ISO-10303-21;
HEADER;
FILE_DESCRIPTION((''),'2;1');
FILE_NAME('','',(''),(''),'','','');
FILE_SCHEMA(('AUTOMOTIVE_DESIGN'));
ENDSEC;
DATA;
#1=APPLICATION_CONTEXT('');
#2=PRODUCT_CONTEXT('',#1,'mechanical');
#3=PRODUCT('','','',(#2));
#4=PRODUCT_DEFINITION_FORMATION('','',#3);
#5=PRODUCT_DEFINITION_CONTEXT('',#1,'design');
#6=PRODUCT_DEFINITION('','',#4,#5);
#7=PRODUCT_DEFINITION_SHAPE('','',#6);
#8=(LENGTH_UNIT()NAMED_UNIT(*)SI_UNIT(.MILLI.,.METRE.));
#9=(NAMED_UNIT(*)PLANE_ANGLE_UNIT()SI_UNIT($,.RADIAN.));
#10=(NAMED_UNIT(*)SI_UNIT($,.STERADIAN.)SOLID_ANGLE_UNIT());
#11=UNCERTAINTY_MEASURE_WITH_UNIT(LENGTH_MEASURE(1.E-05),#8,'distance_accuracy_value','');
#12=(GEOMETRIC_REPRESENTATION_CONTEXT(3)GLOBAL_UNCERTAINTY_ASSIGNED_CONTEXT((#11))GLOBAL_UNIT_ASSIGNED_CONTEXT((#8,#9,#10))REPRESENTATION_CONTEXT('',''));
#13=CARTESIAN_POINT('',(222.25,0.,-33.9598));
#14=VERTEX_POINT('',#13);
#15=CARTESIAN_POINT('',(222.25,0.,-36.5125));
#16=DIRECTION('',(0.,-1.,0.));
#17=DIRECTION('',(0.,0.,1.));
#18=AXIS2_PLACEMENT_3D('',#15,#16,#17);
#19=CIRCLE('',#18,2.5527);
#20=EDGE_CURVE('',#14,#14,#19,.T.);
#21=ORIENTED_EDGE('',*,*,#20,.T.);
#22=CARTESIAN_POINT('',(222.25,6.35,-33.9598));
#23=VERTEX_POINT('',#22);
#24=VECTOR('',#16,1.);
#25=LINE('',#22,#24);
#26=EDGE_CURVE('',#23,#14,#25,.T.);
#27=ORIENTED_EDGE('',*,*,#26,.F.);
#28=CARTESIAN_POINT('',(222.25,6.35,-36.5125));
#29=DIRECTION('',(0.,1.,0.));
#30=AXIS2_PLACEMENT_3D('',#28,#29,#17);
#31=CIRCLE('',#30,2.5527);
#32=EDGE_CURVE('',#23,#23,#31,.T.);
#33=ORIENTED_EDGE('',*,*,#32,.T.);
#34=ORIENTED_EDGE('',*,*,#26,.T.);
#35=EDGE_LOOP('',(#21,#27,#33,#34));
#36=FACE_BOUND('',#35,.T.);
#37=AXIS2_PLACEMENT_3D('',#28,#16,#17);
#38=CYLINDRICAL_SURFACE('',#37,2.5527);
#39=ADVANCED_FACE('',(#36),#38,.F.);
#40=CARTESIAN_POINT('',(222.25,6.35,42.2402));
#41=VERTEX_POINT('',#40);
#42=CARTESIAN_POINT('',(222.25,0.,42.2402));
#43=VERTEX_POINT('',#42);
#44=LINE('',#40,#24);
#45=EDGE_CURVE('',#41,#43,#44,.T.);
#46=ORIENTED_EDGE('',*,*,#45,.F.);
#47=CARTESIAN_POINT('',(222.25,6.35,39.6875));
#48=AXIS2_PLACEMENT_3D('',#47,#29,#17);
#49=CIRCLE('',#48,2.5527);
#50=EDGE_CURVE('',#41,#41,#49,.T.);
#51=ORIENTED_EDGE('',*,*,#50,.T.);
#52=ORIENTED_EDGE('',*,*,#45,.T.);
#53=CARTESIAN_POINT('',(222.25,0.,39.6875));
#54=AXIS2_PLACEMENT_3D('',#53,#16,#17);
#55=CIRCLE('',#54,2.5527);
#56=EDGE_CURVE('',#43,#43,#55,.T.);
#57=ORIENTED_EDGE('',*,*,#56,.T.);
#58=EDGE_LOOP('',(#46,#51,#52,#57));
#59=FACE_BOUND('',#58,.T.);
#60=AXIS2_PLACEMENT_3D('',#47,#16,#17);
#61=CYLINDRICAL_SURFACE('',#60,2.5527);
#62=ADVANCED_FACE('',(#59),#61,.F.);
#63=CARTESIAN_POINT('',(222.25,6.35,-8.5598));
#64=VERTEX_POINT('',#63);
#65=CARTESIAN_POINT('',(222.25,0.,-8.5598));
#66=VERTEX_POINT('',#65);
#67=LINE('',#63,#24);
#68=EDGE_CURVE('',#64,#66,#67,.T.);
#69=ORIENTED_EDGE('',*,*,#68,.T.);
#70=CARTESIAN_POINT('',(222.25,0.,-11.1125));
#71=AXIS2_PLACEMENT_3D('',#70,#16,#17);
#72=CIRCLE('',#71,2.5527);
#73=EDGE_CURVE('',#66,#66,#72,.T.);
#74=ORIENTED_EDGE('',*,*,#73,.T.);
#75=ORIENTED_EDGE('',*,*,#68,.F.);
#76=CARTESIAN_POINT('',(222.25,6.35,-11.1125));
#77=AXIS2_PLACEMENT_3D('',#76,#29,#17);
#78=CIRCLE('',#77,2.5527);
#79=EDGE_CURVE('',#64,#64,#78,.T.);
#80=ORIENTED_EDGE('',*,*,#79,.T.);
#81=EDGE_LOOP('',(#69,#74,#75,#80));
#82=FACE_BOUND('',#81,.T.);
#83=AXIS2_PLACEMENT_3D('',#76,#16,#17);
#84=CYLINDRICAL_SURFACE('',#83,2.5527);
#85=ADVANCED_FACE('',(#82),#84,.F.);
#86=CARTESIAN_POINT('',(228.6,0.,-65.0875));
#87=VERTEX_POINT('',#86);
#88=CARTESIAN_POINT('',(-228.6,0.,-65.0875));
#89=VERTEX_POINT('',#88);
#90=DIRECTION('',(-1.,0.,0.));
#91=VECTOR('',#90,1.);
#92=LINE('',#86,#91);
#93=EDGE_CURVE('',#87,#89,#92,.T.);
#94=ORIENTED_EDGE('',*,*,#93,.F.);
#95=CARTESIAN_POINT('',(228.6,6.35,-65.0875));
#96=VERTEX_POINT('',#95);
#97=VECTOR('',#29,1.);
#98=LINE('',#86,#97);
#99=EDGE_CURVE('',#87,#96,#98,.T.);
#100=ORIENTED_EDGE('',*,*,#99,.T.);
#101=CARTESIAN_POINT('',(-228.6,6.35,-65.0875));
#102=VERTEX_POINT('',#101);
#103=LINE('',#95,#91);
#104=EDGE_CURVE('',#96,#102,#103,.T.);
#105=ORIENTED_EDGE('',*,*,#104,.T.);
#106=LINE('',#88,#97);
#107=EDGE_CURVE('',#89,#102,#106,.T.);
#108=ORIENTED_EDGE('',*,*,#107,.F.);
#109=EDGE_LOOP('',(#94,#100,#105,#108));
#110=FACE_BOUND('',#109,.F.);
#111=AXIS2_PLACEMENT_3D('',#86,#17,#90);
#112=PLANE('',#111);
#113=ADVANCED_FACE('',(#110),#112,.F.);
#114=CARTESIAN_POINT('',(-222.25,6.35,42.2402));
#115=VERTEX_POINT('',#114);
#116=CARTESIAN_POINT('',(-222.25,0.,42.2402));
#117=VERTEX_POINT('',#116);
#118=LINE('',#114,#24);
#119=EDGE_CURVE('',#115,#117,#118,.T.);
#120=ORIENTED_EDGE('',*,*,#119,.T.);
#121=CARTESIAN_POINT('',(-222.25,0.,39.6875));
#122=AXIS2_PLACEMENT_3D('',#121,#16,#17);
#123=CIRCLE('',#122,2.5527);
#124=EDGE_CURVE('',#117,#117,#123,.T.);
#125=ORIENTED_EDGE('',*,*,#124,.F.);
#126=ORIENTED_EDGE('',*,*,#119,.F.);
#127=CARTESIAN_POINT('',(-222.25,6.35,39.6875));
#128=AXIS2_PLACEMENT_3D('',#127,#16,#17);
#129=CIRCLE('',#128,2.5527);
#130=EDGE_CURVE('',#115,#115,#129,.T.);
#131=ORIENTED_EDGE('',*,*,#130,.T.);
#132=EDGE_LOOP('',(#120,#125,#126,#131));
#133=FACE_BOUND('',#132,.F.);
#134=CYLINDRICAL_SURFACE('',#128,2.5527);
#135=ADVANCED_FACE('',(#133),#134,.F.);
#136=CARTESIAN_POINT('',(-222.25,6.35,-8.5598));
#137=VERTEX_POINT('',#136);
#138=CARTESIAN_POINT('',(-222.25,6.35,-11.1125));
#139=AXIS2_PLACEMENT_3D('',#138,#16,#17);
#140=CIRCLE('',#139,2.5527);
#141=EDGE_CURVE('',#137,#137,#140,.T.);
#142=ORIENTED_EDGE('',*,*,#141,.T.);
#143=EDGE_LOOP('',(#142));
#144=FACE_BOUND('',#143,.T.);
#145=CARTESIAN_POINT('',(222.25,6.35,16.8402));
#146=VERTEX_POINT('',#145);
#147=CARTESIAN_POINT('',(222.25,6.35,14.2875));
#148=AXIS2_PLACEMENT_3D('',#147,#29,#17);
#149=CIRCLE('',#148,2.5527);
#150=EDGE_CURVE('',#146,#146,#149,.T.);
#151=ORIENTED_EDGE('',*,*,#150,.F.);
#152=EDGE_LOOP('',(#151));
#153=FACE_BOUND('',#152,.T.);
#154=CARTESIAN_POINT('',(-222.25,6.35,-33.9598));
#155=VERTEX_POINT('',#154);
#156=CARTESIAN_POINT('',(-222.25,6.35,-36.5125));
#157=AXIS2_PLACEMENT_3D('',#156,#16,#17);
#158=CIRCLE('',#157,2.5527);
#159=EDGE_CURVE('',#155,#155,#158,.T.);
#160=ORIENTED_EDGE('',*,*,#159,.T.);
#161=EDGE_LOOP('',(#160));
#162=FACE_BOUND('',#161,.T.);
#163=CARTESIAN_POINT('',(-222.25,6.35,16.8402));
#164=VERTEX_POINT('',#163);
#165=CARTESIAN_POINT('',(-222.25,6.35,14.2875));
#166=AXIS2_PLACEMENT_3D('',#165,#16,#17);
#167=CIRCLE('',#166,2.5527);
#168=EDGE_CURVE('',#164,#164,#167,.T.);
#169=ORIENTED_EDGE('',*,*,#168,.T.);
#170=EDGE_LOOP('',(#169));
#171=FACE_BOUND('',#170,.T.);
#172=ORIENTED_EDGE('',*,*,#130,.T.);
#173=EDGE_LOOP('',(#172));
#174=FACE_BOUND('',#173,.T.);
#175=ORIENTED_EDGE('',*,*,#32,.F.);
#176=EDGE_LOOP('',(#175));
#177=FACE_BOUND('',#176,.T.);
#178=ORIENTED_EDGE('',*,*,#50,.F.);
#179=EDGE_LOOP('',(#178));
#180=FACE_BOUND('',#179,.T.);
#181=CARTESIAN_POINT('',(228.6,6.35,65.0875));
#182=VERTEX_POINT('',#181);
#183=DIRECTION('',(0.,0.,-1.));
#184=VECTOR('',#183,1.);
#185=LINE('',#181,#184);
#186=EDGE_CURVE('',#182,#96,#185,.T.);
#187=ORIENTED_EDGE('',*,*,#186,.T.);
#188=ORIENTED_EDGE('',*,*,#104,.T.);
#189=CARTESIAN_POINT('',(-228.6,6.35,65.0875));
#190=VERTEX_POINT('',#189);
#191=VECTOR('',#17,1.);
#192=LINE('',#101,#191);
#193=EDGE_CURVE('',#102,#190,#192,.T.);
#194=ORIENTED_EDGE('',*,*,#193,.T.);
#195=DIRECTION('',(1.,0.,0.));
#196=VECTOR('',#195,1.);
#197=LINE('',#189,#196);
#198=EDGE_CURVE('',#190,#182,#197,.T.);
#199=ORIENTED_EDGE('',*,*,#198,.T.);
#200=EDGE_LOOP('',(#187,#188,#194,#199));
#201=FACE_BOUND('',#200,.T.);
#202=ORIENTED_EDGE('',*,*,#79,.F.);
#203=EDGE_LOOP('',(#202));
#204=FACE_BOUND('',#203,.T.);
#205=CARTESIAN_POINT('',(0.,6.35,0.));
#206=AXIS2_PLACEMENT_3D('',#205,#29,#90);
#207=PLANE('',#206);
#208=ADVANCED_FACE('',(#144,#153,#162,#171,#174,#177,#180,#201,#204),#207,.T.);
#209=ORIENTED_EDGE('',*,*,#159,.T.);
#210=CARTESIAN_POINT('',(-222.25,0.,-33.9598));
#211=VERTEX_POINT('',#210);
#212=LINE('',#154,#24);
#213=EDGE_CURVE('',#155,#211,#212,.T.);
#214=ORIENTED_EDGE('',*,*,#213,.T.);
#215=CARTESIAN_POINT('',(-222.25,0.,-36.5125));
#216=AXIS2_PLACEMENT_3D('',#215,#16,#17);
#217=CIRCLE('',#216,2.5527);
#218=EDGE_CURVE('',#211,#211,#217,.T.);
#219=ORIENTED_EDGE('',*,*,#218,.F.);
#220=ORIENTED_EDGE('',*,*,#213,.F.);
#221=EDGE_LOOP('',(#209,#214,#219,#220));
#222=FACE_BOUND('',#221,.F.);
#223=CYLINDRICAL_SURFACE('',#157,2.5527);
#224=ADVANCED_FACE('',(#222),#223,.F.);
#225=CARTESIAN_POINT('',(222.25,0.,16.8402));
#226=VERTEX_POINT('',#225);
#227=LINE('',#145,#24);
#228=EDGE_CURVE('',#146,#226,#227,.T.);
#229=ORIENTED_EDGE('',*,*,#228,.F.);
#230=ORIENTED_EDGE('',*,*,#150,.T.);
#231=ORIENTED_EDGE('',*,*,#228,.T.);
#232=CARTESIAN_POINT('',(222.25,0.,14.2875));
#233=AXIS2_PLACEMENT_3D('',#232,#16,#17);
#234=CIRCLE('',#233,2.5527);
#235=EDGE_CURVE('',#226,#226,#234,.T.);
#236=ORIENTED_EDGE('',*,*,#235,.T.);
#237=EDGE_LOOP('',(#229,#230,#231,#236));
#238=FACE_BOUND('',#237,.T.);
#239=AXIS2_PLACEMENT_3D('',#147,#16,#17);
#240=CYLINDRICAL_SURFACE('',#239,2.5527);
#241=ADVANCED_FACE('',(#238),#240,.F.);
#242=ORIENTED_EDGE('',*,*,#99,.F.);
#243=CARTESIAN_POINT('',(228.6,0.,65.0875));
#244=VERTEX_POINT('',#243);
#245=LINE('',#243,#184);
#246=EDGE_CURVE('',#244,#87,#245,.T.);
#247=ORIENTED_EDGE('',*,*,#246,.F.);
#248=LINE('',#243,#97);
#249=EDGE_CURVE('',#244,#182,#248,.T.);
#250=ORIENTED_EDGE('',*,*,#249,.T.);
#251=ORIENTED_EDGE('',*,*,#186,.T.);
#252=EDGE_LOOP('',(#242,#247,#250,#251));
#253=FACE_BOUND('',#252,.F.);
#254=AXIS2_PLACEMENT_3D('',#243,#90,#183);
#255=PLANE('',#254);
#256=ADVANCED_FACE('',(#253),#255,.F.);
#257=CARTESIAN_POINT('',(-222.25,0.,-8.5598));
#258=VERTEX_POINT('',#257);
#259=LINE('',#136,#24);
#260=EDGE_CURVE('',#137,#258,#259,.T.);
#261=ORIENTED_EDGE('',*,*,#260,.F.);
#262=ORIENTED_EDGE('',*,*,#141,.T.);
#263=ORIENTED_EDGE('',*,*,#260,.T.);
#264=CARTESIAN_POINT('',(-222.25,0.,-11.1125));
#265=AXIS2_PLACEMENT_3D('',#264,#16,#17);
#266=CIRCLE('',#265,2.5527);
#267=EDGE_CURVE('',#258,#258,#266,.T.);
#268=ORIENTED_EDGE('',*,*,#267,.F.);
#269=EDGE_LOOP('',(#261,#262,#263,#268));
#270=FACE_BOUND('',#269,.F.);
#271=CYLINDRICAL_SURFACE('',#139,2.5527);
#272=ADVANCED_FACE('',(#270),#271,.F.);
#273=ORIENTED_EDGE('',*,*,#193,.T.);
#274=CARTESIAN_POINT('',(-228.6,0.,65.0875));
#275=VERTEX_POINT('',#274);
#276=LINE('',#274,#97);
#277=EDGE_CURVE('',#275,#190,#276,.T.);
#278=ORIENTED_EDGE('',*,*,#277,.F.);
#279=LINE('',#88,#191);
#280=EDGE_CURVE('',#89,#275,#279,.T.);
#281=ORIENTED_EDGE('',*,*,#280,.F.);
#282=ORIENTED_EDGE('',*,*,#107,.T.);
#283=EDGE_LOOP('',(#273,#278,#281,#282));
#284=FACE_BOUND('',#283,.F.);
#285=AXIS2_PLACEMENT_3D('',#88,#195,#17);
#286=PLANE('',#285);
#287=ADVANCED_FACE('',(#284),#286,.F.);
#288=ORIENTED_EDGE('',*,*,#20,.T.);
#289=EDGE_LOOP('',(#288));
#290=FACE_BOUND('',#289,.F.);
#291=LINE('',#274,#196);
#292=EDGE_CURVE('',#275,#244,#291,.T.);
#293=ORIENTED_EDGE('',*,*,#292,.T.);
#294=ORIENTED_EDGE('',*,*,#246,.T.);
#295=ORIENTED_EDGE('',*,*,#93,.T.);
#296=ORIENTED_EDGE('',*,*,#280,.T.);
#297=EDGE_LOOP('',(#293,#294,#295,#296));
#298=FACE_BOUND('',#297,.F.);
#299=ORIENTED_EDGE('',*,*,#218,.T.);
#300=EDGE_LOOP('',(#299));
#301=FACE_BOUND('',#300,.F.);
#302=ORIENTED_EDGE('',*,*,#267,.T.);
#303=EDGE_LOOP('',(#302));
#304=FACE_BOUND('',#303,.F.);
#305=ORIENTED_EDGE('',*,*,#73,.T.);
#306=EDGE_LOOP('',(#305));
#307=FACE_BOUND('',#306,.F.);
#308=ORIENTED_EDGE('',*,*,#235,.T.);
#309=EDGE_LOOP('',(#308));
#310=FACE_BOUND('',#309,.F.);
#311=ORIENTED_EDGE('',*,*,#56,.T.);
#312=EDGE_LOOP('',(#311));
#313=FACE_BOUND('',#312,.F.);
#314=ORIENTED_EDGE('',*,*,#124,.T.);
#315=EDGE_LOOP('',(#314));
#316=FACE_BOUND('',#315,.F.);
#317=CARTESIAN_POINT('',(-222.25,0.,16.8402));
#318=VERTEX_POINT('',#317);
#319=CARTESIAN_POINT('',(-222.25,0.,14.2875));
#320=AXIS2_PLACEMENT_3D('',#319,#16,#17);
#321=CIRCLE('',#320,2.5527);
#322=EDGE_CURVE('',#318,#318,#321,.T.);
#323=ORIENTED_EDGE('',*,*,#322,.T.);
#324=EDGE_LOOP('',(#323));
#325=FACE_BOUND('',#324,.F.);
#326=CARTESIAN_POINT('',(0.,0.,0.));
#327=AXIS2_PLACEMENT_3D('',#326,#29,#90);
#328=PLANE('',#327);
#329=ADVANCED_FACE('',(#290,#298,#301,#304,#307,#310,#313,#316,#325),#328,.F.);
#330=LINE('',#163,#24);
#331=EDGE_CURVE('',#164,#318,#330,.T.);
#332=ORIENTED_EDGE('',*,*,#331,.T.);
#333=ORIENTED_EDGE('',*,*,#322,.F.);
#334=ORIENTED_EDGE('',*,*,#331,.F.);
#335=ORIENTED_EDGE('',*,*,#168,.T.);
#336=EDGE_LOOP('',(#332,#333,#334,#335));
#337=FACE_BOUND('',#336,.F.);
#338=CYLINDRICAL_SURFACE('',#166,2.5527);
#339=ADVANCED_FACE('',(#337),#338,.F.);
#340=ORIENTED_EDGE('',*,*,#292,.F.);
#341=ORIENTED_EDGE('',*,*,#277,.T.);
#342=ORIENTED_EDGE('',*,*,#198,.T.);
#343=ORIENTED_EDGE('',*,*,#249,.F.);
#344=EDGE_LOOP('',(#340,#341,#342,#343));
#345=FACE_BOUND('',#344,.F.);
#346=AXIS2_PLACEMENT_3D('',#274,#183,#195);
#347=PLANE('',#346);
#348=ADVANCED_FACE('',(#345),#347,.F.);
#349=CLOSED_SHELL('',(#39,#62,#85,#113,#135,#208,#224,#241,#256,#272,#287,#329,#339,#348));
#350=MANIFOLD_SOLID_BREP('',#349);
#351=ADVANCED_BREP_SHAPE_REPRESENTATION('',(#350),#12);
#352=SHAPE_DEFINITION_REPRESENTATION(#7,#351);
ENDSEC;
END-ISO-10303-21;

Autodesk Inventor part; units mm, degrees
ref_plane "YZ Plane" through (0, 0, 0) normal (1, 0, 0) x (0, 1, 0)
ref_plane "XZ Plane" through (0, 0, 0) normal (0, 1, 0) x (-1, 0, 0)
ref_plane "XY Plane" through (0, 0, 0) normal (0, 0, 1) x (1, 0, 0)
sketch "Sketch1" plane through (0, 0, 0) normal (0, 1, 0) x (-1, 0, 0)
  line L0 (228.6, 65.0875) -> (-228.6, 65.0875)
  line L1 (-228.6, 65.0875) -> (-228.6, -65.0875)
  line L2 (-228.6, -65.0875) -> (228.6, -65.0875)
  line L3 (228.6, -65.0875) -> (228.6, 65.0875)
  line L4 (228.6, 65.0875) -> (-228.6, -65.0875) construction
  line L5 (-228.6, 65.0875) -> (228.6, -65.0875) construction
  point P0 (0, 0)
  dimension "d0" = 457.2
  dimension "d1" = 130.175
extrude "Extrusion1" add sketch "Sketch1" along normal blind 6.35
sketch "Sketch2" plane through (0, 6.35, 0) normal (0, 1, 0) x (1, 0, 0)
  line L0 (-228.6, -65.0875) -> (228.6, -65.0875) construction
  line L1 (-222.25, -65.0875) -> (-222.25, 65.0875) construction
  line L2 (228.6, 65.0875) -> (-228.6, 65.0875) construction
  line L3 (-228.6, 65.0875) -> (-228.6, -65.0875) projected
  point P0 (0, 0)
  point P1 (-222.25, -39.6875)
  point P2 (-222.25, -14.2875)
  point P3 (-222.25, 11.1125)
  point P4 (-222.25, 36.5125)
  dimension "d4" = 6.35
  dimension "d5" = 25.4
  dimension "d8" = 25.4
hole "Hole1" at (-222.25, 6.35, 39.6875) at (-222.25, 6.35, 14.2875) at (-222.25, 6.35, -11.1125) at (-222.25, 6.35, -36.5125) direction (0, -1, 0) diameter 5.1054 end through all clearance for "Flat Head Machine Screw (82)" size "#10" standard "Ansi Unified Screw Threads"
mirror "Mirror1" about plane through (0, 0, 0) normal (1, 0, 0) of "Hole1"
properties part number "AluminumPlateForWinch" material "Aluminum 6061"
